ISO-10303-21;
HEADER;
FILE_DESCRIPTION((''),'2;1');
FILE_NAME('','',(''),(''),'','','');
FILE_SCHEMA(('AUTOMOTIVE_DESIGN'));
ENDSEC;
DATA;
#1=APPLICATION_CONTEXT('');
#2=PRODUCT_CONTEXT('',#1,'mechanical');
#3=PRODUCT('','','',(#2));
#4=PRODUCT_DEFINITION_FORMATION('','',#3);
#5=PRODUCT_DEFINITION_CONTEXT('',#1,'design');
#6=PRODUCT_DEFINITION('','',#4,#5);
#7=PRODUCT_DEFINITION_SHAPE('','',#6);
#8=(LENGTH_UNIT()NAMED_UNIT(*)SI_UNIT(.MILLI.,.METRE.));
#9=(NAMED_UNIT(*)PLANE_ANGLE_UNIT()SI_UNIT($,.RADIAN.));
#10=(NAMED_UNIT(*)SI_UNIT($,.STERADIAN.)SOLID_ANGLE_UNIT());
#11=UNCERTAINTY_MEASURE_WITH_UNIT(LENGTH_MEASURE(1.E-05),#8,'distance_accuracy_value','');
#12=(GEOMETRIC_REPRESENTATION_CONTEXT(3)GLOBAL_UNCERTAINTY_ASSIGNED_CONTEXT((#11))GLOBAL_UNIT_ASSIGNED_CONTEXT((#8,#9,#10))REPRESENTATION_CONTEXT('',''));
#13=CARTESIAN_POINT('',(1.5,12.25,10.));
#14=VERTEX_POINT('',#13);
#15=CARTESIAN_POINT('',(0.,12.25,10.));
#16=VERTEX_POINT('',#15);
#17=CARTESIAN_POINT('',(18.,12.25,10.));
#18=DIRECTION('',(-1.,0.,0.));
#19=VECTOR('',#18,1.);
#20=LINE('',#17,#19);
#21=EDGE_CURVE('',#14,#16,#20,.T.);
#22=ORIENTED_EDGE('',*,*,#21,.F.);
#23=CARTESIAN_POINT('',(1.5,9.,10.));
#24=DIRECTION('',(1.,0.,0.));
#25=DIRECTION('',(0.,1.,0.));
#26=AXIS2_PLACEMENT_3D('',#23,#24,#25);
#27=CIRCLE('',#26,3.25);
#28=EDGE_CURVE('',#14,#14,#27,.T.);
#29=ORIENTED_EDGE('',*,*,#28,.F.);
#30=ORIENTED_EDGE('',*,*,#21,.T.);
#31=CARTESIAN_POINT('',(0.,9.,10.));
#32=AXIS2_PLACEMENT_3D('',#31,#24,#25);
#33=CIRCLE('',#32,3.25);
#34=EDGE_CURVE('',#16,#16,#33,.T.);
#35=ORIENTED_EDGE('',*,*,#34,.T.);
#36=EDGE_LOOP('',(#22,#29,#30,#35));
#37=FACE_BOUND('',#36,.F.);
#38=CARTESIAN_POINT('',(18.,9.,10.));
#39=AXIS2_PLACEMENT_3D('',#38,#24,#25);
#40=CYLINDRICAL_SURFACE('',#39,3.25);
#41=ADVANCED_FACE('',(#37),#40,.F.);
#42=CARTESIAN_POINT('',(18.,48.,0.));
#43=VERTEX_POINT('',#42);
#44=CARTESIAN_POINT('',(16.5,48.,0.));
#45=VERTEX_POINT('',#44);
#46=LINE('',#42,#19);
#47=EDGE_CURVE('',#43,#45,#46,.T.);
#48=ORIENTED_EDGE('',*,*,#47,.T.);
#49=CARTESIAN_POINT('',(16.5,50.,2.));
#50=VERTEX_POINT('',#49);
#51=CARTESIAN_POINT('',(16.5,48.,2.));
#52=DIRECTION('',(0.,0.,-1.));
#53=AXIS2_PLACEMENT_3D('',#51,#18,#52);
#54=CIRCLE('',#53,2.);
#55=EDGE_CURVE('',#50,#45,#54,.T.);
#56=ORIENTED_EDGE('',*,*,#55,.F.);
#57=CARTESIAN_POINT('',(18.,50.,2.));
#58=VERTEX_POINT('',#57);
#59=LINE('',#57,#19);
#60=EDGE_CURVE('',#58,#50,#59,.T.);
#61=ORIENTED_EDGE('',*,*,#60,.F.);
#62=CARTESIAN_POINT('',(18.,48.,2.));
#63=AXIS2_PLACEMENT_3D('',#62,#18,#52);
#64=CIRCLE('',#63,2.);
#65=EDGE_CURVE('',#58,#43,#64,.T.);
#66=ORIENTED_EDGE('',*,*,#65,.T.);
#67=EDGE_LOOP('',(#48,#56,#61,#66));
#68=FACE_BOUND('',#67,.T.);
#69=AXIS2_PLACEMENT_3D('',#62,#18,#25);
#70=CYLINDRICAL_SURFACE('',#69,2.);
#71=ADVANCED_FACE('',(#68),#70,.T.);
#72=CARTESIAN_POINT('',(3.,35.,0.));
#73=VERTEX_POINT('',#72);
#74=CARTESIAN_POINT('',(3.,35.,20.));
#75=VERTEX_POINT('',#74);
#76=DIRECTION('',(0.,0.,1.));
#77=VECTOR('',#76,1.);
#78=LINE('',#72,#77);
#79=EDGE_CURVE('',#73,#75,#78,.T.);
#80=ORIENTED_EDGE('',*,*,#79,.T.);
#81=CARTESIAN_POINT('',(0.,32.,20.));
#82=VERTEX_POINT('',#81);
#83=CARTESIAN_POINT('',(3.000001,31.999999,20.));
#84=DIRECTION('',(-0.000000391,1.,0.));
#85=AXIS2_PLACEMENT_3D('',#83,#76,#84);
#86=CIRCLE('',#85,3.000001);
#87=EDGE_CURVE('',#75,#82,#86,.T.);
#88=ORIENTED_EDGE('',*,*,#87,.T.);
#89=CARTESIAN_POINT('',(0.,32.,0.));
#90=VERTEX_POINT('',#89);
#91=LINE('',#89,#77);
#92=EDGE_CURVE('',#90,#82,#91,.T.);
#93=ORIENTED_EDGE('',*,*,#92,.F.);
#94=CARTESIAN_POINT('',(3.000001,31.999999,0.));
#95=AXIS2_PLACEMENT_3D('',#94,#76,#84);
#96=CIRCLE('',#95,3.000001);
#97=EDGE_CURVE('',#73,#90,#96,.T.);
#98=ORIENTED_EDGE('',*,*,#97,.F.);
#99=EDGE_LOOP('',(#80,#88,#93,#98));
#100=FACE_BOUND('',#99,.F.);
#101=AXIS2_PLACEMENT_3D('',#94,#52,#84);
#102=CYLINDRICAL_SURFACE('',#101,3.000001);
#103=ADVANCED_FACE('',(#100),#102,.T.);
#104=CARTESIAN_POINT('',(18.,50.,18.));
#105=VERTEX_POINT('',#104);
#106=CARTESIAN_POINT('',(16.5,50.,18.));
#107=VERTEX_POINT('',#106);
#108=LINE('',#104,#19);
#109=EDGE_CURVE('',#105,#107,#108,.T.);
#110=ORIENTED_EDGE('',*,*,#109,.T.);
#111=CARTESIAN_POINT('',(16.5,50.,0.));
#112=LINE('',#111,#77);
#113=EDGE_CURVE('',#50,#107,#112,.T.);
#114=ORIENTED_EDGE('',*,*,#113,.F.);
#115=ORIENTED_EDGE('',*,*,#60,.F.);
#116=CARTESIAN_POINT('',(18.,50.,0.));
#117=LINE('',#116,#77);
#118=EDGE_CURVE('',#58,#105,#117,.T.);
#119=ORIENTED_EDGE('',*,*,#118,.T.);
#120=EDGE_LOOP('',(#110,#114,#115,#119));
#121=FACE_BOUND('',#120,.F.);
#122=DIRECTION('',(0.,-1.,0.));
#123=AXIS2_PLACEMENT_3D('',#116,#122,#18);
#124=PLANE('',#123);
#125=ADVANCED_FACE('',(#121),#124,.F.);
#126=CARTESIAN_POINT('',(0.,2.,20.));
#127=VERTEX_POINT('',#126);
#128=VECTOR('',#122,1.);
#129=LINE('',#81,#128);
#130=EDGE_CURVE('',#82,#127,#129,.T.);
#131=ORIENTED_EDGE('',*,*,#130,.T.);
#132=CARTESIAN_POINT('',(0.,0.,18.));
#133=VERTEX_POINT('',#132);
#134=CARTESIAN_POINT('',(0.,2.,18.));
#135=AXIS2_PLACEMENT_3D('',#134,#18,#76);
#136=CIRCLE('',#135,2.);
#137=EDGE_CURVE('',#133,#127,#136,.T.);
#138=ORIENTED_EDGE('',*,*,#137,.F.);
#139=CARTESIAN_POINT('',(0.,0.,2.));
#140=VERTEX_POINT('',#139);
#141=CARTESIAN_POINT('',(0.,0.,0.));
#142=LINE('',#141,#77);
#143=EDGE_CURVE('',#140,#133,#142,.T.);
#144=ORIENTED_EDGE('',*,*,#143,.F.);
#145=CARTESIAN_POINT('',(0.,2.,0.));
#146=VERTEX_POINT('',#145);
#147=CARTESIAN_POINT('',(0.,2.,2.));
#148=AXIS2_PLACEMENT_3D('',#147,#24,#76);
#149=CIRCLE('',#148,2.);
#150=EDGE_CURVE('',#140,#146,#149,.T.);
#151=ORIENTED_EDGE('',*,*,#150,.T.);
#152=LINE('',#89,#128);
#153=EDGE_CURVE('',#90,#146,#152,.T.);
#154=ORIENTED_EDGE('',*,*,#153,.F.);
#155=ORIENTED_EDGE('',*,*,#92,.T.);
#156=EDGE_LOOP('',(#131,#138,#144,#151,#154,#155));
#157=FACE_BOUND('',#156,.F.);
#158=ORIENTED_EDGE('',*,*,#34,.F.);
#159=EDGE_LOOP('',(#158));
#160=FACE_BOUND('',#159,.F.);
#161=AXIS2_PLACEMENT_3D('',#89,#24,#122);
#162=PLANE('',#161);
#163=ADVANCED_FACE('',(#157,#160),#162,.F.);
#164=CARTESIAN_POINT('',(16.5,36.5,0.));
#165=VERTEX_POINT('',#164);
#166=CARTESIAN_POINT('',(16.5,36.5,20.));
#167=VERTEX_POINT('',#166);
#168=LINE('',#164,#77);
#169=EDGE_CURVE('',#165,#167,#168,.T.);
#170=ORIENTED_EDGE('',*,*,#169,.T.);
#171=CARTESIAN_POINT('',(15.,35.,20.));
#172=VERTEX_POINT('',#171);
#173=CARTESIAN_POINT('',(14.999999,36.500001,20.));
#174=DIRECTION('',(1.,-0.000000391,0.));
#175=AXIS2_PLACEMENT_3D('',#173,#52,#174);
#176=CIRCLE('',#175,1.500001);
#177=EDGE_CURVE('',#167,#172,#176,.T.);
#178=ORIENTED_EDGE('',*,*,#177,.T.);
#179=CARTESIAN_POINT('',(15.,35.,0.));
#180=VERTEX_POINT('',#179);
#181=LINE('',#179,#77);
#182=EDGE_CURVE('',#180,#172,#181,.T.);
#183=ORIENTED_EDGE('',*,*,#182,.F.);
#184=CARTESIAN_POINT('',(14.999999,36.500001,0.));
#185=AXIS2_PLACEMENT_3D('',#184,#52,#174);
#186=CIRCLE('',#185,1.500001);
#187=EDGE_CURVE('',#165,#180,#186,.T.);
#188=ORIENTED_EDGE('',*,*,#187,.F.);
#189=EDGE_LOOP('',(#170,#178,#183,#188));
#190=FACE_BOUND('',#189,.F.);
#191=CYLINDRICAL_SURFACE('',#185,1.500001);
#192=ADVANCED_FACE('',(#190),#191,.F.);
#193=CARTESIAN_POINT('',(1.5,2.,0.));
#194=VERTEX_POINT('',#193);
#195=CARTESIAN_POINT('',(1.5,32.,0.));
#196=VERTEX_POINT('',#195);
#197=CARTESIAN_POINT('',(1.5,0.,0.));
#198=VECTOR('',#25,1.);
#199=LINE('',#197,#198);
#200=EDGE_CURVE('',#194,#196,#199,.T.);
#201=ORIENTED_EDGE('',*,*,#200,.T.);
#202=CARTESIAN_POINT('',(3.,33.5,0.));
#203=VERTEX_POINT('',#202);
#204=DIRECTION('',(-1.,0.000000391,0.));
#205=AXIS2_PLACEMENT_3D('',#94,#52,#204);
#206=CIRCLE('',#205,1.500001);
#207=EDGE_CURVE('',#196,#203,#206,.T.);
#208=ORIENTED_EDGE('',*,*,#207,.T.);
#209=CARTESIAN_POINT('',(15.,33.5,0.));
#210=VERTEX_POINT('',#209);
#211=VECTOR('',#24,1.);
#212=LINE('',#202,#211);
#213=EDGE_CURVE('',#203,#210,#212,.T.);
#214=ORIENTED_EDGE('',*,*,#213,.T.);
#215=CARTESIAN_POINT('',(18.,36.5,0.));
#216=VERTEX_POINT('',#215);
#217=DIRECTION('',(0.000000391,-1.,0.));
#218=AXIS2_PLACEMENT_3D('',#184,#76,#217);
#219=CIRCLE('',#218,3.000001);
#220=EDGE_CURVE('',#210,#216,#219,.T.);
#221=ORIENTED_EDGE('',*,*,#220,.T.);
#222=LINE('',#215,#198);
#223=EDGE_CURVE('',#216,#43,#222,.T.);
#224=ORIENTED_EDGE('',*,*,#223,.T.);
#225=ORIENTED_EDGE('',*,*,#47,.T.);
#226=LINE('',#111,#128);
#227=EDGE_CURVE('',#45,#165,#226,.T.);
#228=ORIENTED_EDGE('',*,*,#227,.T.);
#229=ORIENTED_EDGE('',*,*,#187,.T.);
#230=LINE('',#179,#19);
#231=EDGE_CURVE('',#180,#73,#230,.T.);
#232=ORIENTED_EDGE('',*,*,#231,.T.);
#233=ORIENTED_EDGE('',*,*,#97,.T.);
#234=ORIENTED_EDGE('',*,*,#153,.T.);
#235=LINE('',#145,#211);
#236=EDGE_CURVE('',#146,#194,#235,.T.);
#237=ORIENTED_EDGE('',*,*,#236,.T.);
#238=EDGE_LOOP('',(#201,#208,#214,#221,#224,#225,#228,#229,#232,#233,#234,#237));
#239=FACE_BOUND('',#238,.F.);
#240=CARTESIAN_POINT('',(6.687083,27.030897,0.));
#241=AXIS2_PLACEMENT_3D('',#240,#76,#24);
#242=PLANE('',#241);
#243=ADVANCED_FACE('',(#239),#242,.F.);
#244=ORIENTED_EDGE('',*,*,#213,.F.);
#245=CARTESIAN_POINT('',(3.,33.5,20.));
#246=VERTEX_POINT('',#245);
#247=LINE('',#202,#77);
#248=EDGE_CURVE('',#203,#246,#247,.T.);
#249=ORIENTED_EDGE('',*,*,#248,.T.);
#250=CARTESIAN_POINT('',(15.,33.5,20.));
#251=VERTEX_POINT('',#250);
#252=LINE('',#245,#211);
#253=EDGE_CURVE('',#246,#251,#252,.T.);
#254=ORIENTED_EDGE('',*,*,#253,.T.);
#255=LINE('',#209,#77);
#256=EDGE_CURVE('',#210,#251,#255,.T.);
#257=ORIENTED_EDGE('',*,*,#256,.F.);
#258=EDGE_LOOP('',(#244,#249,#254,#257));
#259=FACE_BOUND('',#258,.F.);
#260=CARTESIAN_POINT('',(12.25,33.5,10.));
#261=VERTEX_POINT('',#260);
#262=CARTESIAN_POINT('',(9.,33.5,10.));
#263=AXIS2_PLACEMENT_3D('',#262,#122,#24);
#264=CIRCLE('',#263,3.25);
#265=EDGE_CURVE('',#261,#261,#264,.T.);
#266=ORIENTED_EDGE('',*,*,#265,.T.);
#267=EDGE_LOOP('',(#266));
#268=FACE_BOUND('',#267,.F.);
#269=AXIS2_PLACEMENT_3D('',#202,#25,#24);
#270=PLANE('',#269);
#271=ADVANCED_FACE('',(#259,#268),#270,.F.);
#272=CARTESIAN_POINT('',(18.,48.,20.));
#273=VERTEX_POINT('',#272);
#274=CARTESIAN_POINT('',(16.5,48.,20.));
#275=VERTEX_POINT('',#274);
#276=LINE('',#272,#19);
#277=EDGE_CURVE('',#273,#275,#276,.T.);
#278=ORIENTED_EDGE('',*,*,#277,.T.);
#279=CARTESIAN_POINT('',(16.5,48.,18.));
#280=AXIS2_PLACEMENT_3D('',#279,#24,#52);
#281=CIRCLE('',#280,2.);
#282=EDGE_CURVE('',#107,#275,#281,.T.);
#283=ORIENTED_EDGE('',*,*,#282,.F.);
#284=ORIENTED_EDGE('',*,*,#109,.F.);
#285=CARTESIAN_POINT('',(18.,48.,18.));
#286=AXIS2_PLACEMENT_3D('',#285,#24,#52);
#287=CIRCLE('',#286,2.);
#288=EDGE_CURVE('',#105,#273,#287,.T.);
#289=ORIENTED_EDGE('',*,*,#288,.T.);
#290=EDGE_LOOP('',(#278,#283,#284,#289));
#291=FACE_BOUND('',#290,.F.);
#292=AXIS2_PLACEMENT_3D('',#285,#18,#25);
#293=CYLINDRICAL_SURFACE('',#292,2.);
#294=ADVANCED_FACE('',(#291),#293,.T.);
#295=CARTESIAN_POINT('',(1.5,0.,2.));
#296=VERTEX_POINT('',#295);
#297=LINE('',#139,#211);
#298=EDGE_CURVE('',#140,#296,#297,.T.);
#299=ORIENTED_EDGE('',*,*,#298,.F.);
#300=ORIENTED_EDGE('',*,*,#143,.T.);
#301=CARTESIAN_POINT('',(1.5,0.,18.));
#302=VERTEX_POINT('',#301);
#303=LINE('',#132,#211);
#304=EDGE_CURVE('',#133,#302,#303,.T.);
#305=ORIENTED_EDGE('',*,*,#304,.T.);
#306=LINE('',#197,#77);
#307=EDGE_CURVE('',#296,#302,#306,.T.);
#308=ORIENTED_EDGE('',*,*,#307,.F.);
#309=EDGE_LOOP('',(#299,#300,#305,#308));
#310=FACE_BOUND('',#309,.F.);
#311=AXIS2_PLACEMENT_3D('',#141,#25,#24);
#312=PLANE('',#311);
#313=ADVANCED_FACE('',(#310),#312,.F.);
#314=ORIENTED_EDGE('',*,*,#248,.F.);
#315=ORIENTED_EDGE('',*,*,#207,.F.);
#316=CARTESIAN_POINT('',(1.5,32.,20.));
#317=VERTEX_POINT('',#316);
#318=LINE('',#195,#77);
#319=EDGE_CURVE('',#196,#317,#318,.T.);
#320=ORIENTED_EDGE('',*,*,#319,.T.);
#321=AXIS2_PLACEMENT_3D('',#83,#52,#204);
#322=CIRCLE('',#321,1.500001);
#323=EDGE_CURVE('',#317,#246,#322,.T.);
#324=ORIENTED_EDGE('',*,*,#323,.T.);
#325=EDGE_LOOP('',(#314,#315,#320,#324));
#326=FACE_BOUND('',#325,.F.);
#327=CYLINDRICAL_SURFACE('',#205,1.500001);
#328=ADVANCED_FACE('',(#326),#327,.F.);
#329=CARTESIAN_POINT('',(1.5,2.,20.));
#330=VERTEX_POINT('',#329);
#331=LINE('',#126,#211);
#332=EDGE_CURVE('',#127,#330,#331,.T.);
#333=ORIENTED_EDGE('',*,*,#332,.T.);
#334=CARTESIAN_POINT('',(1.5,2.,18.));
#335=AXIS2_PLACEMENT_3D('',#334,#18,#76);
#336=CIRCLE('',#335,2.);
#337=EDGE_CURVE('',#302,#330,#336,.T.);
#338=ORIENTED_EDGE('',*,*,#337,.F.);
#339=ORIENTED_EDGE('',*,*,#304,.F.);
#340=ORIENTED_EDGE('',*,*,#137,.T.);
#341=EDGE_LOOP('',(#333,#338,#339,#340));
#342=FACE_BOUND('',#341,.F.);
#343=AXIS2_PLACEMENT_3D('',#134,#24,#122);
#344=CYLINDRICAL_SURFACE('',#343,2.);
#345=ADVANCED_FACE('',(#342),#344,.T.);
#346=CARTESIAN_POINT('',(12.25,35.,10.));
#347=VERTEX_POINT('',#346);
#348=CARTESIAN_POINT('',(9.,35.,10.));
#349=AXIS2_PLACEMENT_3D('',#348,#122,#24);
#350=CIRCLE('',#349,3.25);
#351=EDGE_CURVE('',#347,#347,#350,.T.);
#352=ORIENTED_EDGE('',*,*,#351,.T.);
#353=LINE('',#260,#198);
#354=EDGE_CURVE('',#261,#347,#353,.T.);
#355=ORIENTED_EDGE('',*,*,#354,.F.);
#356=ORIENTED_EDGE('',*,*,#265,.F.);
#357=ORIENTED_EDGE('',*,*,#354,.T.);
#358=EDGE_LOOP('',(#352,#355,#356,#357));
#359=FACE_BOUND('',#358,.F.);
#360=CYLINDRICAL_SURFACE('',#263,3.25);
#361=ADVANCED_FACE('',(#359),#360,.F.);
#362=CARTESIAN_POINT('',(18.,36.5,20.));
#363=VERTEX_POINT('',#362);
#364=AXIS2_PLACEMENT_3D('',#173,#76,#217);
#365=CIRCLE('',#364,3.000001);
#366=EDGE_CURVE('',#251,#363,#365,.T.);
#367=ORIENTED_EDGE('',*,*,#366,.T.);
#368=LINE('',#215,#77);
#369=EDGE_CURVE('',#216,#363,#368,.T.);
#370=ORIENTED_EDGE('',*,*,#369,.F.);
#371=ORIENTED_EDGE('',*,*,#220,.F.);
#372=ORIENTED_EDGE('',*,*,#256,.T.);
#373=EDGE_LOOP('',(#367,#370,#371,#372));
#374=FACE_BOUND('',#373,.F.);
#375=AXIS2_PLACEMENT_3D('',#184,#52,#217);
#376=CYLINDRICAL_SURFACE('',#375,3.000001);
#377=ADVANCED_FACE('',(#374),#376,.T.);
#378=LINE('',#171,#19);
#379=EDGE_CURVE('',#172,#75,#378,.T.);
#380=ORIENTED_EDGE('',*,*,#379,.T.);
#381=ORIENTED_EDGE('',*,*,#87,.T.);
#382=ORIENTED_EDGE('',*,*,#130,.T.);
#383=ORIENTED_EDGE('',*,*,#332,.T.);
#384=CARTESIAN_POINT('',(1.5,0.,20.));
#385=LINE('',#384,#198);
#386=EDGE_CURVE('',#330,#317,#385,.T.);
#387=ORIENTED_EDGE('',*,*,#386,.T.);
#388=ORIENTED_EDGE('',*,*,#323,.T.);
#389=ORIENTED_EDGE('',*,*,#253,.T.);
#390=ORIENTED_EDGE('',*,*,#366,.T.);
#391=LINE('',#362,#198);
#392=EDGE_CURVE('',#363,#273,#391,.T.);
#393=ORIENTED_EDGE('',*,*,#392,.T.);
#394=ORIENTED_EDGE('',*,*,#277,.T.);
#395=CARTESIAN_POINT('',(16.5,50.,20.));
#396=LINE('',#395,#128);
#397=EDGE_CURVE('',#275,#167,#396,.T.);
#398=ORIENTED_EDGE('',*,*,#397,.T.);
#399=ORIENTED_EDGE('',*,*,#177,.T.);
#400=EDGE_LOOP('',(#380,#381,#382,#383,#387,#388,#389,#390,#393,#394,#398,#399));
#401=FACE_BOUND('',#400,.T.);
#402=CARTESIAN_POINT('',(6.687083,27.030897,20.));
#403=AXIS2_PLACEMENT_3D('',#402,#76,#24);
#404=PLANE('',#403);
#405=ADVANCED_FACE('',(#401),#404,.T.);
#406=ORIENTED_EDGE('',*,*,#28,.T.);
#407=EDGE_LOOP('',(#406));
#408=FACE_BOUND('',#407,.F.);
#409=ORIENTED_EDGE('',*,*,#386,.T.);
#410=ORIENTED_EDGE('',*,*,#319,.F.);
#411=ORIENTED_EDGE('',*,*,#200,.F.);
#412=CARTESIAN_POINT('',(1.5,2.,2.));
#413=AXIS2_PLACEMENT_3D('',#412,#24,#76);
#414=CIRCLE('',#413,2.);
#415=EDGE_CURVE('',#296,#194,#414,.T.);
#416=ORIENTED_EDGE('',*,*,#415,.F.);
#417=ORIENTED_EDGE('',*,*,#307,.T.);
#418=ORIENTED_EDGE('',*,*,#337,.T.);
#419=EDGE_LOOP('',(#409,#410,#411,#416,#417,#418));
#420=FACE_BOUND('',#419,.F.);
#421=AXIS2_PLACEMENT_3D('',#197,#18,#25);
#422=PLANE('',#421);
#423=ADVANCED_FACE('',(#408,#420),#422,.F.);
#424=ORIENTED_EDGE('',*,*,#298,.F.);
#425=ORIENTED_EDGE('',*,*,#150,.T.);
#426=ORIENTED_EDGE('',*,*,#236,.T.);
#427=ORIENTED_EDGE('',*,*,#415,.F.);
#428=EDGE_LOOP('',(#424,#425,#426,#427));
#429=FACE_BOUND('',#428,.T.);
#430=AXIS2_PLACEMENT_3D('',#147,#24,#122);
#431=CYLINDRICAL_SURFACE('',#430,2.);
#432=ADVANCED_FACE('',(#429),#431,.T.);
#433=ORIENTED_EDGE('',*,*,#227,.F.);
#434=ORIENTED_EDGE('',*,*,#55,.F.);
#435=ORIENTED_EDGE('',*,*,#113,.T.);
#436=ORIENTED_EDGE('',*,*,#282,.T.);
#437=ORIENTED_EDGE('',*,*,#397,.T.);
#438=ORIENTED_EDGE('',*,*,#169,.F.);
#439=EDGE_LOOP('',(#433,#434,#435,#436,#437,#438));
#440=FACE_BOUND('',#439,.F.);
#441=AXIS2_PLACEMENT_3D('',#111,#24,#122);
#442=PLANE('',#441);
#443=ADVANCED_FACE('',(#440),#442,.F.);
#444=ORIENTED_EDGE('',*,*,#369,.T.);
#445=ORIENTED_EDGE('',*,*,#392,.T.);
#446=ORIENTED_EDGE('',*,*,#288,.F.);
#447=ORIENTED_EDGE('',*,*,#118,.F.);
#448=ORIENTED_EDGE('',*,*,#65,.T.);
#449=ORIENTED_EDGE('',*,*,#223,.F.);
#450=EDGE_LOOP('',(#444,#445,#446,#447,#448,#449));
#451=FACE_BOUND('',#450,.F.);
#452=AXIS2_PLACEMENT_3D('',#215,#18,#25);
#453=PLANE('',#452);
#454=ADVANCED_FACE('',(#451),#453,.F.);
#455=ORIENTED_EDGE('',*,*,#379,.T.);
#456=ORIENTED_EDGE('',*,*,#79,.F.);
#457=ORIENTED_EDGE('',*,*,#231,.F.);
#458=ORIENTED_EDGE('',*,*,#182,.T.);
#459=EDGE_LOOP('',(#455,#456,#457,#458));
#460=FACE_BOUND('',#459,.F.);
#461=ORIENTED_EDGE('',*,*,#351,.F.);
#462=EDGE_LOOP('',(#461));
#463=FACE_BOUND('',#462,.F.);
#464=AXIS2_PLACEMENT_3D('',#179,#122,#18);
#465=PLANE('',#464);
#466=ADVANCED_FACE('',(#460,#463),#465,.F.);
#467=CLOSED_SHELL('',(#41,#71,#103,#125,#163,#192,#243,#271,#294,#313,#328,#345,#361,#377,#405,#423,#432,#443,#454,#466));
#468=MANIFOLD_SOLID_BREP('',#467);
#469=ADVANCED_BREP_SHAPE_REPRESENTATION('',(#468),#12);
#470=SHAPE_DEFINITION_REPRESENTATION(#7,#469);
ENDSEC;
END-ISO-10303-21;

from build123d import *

# Parameters (mm, degrees)
F1_DEPTH = 20
F2_R     = 2
F3_R     = 3.25
F4_DEPTH = 50
F5_R     = 3.25
F6_DEPTH = 25


with BuildPart() as f1:
    # F0 (on Top) → F1 (new body)
    with BuildSketch(Plane.XY):
        with BuildLine():
            Line((0, 32), (0, 0))
            Line((0, 0), (1.5, 0))
            Line((1.5, 0), (1.5, 32))
            ThreePointArc((1.5, 32), (1.93934, 33.06066), (3, 33.5))
            Line((3, 33.5), (15, 33.5))
            ThreePointArc((15, 33.5), (17.12132, 34.37868), (18, 36.5))
            Line((18, 36.5), (18, 50))
            Line((18, 50), (16.5, 50))
            Line((16.5, 50), (16.5, 36.5))
            ThreePointArc((16.5, 36.5), (16.06066, 35.43934), (15, 35))
            Line((15, 35), (3, 35))
            ThreePointArc((3, 35), (0.87868, 34.12132), (0, 32))
        make_face()
    extrude(amount=F1_DEPTH)

    # F2
    f2_edges = [f1.edges().sort_by_distance(p)[0] for p in [
        (0.75, 0, 20),
        (0.75, 0, 0),
        (17.25, 50, 20),
        (17.25, 50, 0),
    ]]
    fillet(f2_edges, radius=F2_R)

    # F3 (on face) → F4 (cut)
    with BuildSketch(Plane.YZ.offset(18)):
        with Locations((9, 10)):
            Circle(F3_R)
    extrude(amount=-F4_DEPTH, mode=Mode.SUBTRACT)

    # F5 (on face) → F6 (cut)
    with BuildSketch(Plane.XZ.offset(-33.5)):
        with Locations((9, 10)):
            Circle(F5_R)
    extrude(amount=-F6_DEPTH, mode=Mode.SUBTRACT)


solid = f1.part
